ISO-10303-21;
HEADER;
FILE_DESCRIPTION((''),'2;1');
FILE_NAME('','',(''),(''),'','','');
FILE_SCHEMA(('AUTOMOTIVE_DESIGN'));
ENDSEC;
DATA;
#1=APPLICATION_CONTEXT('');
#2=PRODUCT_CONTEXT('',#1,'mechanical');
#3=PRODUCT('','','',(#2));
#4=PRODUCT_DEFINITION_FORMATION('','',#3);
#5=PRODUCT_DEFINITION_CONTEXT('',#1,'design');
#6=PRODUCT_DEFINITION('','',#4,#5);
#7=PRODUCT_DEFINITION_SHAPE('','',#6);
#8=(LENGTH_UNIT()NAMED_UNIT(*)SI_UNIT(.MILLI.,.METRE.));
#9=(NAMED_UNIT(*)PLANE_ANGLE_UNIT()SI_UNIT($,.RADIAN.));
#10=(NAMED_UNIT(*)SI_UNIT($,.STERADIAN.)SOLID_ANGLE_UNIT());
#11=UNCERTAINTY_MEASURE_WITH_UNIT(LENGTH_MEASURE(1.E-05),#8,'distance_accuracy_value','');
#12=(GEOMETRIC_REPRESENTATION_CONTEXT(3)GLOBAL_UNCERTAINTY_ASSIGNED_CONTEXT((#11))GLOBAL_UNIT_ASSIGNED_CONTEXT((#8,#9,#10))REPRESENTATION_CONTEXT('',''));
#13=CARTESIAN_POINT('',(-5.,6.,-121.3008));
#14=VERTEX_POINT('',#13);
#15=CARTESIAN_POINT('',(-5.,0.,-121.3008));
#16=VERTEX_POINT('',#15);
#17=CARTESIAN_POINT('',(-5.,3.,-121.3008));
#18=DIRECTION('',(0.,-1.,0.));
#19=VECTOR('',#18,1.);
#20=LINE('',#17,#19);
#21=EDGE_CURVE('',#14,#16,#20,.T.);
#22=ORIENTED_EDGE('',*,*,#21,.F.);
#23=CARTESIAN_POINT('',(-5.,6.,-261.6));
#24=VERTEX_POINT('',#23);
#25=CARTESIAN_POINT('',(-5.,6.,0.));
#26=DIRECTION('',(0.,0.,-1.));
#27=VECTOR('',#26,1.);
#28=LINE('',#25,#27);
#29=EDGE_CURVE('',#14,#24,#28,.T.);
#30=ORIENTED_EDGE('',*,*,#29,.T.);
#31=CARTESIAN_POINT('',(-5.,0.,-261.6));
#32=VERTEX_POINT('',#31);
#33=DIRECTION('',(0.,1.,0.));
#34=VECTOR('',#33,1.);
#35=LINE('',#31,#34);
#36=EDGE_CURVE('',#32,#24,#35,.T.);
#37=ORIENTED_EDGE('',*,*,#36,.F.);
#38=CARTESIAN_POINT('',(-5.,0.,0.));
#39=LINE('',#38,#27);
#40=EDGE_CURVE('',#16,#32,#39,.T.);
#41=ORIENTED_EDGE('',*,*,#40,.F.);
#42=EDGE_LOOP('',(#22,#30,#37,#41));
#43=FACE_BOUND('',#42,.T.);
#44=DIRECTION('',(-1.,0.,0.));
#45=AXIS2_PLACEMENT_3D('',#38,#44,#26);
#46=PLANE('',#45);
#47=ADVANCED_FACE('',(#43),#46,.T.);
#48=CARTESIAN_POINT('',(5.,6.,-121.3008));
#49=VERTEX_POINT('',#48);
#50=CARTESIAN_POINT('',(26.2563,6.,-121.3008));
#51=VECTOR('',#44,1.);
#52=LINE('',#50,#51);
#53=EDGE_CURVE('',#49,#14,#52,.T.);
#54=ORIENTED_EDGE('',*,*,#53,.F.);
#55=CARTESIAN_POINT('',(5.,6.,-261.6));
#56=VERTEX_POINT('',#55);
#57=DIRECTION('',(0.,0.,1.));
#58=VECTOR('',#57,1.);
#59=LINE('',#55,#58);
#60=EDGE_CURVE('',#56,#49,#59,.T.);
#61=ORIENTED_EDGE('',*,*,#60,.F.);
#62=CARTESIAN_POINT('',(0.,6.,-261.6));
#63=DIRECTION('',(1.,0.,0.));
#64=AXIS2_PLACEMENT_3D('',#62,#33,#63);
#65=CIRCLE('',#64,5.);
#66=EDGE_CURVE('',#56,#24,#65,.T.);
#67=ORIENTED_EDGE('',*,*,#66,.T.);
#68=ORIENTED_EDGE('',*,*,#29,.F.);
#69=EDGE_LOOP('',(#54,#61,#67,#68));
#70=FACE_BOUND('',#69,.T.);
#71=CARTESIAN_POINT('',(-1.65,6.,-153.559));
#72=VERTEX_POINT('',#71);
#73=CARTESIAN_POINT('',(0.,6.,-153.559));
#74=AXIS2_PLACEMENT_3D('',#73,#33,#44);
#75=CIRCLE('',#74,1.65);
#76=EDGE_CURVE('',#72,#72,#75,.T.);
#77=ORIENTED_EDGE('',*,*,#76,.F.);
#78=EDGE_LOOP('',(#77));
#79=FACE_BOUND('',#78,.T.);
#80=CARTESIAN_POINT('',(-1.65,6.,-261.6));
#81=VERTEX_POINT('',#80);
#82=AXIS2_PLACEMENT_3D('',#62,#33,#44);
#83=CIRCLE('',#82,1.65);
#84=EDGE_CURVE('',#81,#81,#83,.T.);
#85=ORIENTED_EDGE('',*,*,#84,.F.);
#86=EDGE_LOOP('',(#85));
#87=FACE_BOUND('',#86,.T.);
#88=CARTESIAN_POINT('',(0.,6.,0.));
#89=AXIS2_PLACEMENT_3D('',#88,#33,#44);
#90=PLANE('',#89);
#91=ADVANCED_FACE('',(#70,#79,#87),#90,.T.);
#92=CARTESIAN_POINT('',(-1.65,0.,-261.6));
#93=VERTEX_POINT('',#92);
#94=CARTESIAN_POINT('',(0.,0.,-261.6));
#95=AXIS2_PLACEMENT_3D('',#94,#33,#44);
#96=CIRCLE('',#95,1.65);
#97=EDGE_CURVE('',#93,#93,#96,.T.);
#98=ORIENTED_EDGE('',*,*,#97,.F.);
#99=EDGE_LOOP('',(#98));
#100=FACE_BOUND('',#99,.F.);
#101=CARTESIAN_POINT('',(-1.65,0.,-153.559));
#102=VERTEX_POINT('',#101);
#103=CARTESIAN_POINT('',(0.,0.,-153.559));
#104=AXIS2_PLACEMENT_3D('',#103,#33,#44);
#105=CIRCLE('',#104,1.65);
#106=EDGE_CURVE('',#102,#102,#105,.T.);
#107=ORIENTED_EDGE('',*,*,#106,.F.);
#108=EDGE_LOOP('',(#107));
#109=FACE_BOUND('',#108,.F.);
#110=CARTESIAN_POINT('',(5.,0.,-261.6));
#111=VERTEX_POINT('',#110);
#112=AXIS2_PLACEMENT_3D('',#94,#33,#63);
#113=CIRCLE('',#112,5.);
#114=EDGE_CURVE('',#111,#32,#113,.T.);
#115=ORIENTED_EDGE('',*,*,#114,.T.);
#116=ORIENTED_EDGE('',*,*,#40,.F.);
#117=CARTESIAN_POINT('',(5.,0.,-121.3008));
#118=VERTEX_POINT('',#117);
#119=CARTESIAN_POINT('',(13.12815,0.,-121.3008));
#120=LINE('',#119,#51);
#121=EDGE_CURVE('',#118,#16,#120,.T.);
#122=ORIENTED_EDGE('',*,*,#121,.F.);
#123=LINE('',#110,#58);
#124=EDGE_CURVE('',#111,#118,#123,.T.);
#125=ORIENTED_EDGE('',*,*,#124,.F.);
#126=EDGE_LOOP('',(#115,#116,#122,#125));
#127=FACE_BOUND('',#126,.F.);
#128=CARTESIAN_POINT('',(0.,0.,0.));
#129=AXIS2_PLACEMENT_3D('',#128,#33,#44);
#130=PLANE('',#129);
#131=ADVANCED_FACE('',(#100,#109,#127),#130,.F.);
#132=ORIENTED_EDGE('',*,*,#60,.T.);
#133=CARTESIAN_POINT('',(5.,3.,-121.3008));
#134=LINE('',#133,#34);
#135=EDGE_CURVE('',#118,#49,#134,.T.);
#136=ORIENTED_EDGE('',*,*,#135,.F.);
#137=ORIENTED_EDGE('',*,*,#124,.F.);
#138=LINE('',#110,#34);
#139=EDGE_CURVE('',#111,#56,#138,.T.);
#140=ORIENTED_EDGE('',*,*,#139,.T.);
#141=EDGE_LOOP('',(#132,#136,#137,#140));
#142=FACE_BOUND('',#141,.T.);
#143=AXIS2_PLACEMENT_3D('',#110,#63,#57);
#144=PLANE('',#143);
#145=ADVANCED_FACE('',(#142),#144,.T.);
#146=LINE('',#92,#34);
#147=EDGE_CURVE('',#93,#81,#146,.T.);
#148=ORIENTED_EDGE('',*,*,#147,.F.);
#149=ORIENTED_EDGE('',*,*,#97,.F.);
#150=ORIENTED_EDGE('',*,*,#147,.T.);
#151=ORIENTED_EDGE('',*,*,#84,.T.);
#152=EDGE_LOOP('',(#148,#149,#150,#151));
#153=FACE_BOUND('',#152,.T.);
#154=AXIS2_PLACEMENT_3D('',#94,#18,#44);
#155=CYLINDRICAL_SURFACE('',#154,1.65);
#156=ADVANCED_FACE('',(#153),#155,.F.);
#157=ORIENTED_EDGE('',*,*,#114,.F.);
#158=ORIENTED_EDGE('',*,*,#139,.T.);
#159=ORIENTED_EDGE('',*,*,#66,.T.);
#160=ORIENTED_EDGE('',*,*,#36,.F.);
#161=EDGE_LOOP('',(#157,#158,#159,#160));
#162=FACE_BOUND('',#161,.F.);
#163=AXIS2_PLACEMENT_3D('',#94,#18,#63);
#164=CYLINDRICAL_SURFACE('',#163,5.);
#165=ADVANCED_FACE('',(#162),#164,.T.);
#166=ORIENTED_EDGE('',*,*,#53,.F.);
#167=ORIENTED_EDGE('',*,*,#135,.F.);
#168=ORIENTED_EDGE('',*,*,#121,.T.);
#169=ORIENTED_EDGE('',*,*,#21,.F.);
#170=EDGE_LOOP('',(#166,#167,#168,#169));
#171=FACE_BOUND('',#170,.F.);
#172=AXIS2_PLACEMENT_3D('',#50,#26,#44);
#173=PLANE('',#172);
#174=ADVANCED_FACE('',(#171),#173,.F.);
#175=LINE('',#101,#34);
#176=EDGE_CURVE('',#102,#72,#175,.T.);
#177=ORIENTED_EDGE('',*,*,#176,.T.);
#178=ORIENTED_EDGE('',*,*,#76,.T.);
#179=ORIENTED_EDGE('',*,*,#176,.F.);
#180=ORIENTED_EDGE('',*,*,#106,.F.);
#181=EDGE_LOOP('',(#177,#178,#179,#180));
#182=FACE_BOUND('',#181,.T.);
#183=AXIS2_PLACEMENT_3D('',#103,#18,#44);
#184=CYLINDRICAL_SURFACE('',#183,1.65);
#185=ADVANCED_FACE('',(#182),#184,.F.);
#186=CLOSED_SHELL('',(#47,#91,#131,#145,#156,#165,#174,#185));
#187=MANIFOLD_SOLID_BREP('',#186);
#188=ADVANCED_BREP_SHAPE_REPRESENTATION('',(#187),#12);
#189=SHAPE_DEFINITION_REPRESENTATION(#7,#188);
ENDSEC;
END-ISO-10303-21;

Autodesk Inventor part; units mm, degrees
ref_plane "YZ Plane" through (0, 0, 0) normal (1, 0, 0) x (0, 1, 0)
ref_plane "XZ Plane" through (0, 0, 0) normal (0, 1, 0) x (-1, 0, 0)
ref_plane "XY Plane" through (0, 0, 0) normal (0, 0, 1) x (1, 0, 0)
sketch "Sketch1" plane through (0, 0, 0) normal (0, 1, 0) x (-1, 0, 0)
  line L0 (0, 0) -> (0, -261.6) construction
  line L1 (5, 0) -> (5, -261.6)
  line L2 (-5, -261.6) -> (-5, 0)
  arc A0 (5, 0) -> (-5, 0) centre (0, 0) ccw
  arc A1 (-5, -261.6) -> (5, -261.6) centre (0, -261.6) ccw
  circle A2 centre (0, 0) radius 1.65
  circle A3 centre (0, -261.6) radius 1.65
  circle A4 centre (0, -153.559) radius 1.65
  point P0 (0, -130.8)
  dimension "d0" = 3.3
  dimension "d1" = 3.3
  dimension "d2" = 10
  dimension "d3" = 261.6
  dimension "d4" = 3.3
  dimension "d5" = 153.559
extrude "Extrusion1" add sketch "Sketch1" along normal blind 6
sketch "Sketch3" plane through (0, 6, 0) normal (0, 1, 0) x (1, 0, 0)
  line L0 (-22.4574, 275.926) -> (26.2563, 275.926)
  line L1 (26.2563, 275.926) -> (26.2563, 121.3008)
  line L2 (26.2563, 121.3008) -> (-22.4574, 121.3008)
  line L3 (-22.4574, 121.3008) -> (-22.4574, 275.926)
  line L4 (-103.4002, 357.0257) -> (155.5228, 357.0257)
  line L5 (155.5228, 357.0257) -> (155.5228, -67.8162)
  line L6 (155.5228, -67.8162) -> (-103.4002, -67.8162)
  line L7 (-103.4002, -67.8162) -> (-103.4002, 357.0257)
  point P0 (0, 0)
extrude "Extrusion2" cut sketch "Sketch3" against normal blind 100
properties part number "Part_2_p2"
